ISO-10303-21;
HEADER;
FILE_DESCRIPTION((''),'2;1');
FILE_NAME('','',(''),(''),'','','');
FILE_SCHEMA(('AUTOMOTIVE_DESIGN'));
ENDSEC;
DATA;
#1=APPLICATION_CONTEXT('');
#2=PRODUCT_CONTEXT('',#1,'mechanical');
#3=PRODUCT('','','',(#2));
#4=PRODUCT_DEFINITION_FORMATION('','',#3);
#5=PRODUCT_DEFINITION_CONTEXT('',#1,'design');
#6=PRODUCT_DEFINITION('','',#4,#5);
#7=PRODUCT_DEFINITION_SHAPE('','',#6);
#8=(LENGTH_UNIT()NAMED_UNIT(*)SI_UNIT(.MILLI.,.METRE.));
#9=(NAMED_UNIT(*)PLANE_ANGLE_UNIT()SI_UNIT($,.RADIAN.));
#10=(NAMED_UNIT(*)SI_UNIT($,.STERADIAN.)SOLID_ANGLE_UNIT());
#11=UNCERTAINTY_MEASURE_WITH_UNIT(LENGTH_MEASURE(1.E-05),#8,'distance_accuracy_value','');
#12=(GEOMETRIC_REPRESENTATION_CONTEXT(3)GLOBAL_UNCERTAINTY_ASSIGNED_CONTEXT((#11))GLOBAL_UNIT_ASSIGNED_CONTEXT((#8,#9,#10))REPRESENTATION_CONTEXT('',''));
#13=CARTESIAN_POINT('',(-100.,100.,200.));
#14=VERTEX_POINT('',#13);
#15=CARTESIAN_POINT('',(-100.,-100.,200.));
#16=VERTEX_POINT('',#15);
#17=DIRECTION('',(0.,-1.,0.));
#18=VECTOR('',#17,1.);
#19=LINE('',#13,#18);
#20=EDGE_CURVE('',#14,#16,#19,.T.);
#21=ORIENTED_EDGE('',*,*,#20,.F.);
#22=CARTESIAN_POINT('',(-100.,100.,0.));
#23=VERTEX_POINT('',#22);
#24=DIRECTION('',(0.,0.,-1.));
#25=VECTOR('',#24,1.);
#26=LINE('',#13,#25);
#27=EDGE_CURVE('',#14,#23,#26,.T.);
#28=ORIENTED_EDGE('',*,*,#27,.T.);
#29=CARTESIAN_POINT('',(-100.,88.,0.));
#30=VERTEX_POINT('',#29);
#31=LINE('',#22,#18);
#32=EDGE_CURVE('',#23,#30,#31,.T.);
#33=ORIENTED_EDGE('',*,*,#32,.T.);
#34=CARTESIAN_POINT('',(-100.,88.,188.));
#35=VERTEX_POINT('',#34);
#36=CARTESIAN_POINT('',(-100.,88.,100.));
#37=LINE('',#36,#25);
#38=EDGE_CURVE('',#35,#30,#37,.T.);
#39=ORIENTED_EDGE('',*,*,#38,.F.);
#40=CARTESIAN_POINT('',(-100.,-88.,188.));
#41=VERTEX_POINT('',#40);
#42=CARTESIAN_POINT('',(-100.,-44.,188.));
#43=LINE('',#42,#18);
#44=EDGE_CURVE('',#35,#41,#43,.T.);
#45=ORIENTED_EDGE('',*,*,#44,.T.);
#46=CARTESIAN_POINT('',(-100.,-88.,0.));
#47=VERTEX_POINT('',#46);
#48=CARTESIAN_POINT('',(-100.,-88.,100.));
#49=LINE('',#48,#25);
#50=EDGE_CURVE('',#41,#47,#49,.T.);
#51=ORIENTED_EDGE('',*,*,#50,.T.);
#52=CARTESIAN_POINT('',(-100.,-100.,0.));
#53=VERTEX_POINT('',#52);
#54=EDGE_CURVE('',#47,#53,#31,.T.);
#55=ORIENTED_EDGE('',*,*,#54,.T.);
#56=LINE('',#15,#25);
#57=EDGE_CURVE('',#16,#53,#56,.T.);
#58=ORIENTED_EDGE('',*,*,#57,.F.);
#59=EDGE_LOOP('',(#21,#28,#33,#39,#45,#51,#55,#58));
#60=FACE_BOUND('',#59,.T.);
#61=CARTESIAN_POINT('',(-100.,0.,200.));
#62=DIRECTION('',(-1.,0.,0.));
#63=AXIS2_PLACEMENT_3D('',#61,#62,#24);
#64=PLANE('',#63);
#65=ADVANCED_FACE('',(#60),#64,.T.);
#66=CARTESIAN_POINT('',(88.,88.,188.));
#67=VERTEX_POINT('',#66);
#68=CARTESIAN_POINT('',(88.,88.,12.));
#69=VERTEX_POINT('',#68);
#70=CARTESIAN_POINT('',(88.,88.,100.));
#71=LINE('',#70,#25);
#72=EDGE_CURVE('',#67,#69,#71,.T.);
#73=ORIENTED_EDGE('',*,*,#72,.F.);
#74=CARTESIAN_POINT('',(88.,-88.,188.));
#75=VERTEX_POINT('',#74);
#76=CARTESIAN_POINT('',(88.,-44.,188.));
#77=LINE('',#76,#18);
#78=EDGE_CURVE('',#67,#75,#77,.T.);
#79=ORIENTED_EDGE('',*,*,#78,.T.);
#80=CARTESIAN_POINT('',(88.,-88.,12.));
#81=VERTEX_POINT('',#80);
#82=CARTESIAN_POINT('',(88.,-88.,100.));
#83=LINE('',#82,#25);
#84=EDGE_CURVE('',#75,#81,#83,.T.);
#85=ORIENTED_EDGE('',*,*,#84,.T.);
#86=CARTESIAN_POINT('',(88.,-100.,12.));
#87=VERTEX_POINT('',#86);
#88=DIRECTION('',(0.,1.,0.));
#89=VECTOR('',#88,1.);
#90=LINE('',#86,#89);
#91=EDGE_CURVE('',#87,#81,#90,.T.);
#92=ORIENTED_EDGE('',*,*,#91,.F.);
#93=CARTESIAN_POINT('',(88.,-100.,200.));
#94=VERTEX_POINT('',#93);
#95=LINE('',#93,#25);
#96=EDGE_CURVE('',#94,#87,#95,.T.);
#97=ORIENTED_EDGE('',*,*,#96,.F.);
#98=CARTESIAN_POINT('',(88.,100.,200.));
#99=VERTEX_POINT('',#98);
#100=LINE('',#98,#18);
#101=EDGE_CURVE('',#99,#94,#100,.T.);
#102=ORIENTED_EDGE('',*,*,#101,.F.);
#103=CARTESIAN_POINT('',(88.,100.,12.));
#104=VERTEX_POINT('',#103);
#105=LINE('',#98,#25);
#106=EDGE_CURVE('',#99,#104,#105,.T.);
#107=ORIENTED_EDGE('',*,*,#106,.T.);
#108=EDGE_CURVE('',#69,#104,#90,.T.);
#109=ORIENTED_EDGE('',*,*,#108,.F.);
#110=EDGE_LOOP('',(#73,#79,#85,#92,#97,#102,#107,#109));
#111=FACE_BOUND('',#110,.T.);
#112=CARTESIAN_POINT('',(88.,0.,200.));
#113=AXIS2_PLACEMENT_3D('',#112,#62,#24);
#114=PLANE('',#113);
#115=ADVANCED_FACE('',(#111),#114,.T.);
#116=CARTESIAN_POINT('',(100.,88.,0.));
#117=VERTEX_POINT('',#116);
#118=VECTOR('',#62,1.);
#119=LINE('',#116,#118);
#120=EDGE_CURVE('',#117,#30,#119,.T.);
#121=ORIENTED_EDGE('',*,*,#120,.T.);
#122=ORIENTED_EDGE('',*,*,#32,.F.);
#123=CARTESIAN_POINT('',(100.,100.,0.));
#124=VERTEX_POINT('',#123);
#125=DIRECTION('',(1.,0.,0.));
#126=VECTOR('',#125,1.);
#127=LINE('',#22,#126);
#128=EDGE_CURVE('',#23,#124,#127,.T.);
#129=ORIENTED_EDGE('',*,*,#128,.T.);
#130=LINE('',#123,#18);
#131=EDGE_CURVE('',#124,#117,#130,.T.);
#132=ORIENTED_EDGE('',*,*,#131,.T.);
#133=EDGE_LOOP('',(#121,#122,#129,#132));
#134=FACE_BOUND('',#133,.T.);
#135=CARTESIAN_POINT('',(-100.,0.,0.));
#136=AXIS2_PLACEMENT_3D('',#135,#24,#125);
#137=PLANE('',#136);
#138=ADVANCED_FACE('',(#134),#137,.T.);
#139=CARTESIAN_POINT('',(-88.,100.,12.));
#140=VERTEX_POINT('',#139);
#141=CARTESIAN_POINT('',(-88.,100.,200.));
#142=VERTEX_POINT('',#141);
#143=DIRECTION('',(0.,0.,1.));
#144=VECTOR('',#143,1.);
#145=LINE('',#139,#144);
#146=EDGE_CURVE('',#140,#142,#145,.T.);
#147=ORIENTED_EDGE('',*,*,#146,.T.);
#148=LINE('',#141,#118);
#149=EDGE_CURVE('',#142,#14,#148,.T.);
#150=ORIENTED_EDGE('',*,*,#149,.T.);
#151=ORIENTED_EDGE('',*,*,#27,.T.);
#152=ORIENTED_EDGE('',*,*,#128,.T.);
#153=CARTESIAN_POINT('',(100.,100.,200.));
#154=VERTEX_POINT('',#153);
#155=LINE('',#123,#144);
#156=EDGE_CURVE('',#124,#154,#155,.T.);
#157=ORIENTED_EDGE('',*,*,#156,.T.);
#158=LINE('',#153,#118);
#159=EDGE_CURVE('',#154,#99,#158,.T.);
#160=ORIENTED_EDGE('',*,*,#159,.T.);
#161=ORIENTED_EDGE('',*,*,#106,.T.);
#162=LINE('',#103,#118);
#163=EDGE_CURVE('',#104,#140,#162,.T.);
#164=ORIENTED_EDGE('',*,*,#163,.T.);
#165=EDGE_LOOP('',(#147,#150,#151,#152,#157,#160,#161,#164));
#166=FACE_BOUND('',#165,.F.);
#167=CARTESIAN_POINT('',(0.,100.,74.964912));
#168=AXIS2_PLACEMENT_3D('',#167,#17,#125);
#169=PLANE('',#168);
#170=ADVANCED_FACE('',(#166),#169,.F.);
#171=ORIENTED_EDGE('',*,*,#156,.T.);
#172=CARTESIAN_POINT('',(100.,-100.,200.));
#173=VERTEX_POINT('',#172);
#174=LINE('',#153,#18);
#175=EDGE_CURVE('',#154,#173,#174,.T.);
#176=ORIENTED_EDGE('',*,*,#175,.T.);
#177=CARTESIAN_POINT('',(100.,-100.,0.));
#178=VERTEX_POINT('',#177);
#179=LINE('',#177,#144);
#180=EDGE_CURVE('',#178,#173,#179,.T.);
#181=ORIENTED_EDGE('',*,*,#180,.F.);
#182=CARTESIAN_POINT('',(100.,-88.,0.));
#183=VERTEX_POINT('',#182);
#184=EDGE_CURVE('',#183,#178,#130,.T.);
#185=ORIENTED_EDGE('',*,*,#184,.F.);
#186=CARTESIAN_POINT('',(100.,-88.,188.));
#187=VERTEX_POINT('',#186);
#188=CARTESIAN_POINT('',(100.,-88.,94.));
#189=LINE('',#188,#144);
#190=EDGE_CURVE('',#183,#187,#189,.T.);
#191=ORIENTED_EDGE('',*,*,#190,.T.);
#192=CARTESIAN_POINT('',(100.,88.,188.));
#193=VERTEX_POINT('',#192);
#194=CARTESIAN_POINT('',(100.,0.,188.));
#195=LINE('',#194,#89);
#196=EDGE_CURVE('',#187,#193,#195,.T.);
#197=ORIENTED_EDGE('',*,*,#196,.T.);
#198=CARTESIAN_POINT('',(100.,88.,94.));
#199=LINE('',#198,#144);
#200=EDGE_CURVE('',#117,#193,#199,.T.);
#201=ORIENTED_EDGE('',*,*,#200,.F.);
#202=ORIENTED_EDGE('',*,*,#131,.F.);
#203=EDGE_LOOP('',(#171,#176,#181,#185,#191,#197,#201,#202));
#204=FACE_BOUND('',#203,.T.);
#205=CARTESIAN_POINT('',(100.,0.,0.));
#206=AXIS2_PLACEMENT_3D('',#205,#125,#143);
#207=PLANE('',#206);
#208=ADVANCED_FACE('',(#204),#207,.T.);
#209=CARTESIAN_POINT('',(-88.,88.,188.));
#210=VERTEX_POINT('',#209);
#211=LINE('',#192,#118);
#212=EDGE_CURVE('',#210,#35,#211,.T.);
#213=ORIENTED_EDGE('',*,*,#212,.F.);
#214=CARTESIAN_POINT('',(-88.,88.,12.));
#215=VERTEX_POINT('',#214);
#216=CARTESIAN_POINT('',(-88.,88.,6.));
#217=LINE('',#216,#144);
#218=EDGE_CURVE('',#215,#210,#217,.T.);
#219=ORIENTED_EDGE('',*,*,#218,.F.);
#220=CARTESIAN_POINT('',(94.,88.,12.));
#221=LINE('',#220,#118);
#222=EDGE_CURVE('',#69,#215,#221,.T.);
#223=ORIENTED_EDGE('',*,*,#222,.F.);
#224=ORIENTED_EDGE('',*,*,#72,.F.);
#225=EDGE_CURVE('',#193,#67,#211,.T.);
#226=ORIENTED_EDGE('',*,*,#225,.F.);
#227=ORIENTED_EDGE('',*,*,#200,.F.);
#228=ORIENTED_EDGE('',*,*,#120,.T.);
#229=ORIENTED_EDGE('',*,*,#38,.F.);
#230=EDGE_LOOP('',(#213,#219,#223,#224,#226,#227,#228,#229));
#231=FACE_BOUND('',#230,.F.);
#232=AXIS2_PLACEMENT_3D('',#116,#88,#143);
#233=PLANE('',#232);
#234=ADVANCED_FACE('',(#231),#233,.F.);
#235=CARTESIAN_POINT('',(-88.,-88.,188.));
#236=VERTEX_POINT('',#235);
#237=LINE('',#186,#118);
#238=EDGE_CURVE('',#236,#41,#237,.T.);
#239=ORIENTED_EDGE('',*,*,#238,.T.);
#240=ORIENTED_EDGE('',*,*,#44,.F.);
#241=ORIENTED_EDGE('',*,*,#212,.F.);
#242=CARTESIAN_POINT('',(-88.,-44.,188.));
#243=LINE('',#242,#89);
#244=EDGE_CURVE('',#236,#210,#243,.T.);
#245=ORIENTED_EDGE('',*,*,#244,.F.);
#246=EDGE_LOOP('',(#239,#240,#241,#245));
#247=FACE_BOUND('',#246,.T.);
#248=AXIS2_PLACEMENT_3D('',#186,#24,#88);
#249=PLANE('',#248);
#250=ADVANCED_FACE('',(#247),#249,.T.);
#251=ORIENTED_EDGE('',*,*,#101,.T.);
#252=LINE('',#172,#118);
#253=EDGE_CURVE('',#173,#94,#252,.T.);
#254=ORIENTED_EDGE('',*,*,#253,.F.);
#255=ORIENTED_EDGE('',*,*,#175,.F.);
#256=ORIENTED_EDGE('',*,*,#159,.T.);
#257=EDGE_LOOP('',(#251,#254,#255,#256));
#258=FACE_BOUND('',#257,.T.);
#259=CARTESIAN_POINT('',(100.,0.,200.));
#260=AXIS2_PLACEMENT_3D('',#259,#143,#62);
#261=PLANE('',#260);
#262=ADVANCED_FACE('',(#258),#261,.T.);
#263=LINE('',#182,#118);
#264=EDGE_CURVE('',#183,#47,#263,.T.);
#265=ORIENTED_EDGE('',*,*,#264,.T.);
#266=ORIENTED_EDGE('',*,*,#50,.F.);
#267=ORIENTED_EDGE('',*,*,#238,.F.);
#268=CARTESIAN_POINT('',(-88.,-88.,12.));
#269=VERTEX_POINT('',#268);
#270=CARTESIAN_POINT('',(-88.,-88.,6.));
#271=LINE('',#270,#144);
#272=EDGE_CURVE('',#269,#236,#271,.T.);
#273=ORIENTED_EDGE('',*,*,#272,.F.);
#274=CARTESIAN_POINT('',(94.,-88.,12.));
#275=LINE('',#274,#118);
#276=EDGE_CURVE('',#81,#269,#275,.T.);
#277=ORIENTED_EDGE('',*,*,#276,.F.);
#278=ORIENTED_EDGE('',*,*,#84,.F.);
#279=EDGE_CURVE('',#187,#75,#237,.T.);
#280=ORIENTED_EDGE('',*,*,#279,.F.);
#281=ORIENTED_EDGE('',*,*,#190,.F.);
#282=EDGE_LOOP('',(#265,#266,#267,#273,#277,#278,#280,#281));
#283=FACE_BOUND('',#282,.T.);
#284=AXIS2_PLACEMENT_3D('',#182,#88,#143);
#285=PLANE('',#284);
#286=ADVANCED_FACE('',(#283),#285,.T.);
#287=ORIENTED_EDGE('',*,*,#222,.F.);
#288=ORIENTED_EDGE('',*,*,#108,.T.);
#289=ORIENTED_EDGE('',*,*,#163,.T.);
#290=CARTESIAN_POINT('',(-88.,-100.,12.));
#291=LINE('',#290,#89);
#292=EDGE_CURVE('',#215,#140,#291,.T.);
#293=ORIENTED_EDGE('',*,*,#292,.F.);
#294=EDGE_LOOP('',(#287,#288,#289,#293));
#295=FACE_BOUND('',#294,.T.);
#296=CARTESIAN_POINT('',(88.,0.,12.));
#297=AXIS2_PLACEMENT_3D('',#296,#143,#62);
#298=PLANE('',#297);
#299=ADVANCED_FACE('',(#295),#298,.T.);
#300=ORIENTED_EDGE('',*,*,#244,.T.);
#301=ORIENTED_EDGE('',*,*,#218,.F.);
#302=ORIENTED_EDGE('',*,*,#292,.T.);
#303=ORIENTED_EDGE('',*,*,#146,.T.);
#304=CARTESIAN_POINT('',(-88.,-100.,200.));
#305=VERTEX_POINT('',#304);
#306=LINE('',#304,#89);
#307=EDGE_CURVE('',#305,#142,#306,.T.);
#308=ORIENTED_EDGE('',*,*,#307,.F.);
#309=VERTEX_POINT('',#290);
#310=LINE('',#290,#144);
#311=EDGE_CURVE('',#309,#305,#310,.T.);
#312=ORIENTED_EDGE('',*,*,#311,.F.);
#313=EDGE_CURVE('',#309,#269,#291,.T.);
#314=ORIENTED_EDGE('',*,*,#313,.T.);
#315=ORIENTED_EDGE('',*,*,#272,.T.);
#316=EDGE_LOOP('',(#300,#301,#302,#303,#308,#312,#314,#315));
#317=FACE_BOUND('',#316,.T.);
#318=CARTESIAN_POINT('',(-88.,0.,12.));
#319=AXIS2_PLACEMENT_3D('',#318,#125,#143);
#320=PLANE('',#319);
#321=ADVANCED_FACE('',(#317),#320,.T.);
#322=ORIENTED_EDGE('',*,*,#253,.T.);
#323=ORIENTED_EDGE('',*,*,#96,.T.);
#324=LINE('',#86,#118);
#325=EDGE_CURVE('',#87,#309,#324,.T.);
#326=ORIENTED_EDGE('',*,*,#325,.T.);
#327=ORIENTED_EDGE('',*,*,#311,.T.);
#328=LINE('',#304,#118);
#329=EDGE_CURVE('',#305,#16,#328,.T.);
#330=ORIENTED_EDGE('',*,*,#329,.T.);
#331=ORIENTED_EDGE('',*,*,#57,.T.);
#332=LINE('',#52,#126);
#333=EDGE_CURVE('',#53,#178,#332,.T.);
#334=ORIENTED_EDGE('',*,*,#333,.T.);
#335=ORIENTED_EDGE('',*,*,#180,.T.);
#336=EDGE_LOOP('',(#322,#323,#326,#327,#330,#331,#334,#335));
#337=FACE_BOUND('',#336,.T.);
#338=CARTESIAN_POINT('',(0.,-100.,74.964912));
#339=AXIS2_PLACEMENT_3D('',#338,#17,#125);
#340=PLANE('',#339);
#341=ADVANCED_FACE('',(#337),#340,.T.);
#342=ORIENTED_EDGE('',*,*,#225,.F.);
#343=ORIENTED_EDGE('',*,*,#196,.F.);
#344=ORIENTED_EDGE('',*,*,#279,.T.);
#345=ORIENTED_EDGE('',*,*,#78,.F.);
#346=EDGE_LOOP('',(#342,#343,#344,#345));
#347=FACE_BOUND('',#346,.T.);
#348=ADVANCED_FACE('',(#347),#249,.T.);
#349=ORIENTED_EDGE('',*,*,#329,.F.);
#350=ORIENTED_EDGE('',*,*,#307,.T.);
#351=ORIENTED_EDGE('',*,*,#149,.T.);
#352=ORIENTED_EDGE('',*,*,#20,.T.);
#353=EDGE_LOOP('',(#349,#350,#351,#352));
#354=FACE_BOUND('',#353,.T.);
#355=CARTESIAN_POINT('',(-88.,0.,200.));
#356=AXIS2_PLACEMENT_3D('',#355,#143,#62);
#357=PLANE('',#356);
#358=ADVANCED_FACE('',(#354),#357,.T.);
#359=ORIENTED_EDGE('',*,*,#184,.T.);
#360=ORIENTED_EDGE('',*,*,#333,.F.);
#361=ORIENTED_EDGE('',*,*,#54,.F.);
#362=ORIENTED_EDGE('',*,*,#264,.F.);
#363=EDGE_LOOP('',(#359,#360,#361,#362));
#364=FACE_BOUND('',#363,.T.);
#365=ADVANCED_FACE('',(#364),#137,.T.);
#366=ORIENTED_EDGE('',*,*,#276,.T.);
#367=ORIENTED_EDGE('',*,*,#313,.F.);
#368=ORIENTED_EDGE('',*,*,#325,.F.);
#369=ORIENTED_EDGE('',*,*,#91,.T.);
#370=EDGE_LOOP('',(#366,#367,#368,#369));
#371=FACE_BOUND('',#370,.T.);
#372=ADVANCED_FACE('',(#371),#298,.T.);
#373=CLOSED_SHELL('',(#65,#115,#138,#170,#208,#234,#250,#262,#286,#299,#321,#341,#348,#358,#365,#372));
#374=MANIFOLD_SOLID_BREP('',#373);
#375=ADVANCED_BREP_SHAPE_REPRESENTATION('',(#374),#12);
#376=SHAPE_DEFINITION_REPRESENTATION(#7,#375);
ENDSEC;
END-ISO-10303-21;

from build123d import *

# Parameters (mm, degrees)
F1_DEPTH = 100
F2_W     = 176
F2_H     = 188
F3_DEPTH = 200.001


with BuildPart() as f1:
    # F0 (on Front) → F1 (new body, symmetric)
    with BuildSketch(Plane.XZ):
        Polygon((-88, 200), (-94, 200), (-94, 6), (94, 6), (94, 200), (88, 200), (88, 12), (-88, 12), align=None)
        Polygon((-100, 200), (-100, 0), (100, 0), (100, 200), (94, 200), (94, 6), (-94, 6), (-94, 200), align=None)
    extrude(amount=F1_DEPTH, both=True)

    # F2 (on face) → F3 (cut, through all)
    with BuildSketch(Plane.YZ.offset(100)):
        with Locations((0, 94)):
            Rectangle(F2_W, F2_H)
    extrude(amount=-F3_DEPTH, mode=Mode.SUBTRACT)


solid = f1.part
